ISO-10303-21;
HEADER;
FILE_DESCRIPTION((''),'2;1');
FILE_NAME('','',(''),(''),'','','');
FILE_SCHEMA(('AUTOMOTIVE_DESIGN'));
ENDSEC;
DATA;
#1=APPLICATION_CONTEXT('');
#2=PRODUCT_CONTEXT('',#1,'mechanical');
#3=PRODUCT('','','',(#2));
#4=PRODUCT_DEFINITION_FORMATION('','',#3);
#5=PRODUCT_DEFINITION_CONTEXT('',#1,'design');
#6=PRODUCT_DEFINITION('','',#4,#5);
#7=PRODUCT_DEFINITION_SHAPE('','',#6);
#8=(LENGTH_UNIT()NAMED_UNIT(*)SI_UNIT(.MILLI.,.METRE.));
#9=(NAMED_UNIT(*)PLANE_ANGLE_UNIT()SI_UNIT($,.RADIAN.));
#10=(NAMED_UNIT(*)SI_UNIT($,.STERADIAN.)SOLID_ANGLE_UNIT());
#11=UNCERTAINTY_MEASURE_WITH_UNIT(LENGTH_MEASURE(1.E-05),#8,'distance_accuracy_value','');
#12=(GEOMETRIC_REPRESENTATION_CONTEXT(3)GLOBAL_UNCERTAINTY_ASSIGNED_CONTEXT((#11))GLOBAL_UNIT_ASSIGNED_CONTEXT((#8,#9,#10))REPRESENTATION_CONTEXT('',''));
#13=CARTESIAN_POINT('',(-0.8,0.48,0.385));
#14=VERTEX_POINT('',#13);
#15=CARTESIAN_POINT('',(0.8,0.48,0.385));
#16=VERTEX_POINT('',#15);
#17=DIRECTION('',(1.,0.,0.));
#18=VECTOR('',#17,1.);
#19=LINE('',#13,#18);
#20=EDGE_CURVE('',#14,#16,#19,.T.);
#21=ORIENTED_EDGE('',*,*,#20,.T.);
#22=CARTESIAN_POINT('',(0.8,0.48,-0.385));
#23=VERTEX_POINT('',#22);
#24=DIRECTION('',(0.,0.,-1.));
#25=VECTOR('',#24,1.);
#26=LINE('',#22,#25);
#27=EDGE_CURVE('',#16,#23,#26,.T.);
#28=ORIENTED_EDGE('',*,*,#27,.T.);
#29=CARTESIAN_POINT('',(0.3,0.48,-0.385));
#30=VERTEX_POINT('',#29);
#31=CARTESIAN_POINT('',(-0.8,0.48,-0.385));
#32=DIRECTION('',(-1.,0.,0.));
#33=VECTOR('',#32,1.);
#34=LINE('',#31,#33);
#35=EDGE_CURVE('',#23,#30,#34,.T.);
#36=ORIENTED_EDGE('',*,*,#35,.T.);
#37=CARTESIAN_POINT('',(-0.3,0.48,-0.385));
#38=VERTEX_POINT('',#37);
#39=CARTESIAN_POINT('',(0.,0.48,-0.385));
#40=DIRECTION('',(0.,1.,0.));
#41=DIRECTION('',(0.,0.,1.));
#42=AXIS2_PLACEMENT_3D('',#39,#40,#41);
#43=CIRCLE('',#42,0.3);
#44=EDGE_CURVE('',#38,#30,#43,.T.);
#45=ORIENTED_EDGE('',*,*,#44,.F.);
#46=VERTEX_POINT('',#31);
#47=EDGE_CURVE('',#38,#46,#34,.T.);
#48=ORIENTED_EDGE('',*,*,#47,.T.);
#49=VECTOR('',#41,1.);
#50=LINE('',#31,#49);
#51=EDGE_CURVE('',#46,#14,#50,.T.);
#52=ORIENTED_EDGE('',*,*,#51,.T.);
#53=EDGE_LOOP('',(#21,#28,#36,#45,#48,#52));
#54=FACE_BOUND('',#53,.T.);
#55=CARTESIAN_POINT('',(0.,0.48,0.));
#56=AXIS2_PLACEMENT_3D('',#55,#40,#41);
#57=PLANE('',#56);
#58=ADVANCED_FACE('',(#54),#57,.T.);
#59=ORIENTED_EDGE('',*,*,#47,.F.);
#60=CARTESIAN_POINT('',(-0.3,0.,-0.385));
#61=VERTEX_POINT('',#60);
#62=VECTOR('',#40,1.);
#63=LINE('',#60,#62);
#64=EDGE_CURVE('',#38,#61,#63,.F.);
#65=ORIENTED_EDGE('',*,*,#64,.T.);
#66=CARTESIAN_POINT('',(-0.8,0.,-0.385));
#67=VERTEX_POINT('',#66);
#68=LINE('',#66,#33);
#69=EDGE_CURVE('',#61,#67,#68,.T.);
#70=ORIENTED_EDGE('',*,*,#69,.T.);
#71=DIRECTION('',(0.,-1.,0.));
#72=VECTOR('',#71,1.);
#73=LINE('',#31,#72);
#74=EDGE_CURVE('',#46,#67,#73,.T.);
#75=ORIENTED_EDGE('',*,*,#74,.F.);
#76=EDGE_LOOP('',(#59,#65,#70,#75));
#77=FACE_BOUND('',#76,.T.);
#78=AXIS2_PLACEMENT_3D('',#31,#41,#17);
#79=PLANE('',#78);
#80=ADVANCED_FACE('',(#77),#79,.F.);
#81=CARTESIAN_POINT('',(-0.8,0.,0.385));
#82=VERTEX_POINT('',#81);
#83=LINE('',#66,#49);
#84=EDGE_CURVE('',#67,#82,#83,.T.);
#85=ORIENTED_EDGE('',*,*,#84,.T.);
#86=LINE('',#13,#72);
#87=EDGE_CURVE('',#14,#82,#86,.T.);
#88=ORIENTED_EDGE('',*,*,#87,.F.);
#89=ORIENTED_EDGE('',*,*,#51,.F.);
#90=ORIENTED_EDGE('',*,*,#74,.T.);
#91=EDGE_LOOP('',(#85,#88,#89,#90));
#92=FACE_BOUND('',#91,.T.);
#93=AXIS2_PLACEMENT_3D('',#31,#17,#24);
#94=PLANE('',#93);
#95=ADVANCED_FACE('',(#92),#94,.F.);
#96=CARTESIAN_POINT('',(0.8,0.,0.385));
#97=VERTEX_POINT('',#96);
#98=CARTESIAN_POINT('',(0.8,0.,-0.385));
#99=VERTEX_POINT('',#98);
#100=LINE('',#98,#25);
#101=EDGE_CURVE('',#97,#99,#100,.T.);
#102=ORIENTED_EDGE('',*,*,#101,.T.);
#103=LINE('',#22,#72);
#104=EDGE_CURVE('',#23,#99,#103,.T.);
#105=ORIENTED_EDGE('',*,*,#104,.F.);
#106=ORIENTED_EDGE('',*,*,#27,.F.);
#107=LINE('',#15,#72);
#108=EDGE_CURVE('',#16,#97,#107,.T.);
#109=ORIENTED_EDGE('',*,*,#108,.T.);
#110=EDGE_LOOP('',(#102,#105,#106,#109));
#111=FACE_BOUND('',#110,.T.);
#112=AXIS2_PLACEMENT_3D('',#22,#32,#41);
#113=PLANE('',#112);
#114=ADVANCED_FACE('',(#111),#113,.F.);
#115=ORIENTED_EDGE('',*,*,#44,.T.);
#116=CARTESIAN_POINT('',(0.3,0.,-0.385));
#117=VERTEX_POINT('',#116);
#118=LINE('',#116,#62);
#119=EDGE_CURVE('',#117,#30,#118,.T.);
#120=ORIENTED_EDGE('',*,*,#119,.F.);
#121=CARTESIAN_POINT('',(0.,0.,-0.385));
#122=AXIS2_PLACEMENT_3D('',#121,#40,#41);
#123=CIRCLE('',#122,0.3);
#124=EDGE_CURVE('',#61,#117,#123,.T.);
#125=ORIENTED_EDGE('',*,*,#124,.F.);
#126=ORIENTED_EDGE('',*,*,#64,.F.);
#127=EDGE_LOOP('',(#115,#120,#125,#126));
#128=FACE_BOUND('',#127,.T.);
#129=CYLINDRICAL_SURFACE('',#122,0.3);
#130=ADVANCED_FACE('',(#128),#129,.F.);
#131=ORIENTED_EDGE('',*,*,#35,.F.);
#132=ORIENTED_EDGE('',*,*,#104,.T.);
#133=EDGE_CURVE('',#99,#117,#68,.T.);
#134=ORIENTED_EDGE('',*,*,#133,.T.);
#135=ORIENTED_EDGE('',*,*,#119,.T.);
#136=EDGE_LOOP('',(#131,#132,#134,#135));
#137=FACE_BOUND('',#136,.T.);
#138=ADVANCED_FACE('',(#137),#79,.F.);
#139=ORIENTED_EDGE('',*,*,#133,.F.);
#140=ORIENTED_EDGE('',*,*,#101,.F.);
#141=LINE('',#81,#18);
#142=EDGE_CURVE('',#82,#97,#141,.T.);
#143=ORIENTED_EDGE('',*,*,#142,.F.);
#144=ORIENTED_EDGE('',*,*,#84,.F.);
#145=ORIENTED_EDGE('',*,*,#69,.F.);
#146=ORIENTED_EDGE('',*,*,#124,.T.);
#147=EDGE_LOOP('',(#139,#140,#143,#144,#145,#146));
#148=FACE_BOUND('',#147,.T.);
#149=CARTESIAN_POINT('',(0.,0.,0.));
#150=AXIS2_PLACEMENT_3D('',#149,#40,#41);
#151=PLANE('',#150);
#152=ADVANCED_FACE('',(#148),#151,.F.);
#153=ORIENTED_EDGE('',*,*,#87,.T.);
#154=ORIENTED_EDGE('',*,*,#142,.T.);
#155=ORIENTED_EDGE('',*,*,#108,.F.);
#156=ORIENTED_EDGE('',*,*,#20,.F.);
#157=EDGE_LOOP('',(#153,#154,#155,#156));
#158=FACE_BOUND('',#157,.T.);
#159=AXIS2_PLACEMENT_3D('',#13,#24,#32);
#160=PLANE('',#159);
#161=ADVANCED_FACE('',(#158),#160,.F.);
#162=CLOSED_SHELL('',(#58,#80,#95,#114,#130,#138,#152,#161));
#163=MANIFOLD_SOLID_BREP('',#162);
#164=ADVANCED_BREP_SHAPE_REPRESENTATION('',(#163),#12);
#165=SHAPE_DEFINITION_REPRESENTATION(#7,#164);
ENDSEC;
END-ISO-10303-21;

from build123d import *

# Parameters (mm, degrees)
SKETCH1_W           = 1.6
SKETCH1_H           = 0.77
BOSS_EXTRUDE1_DEPTH = 0.48
SKETCH2_R           = 0.3
CUT_EXTRUDE1_DEPTH  = 2.009269538


with BuildPart() as part:
    # Sketch1 → Boss-Extrude1 (new body)
    with BuildSketch(Plane(origin=(0, 0, 0), x_dir=(1, 0, 0), z_dir=(0, 1, 0))):
        Rectangle(SKETCH1_W, SKETCH1_H)
    extrude(amount=BOSS_EXTRUDE1_DEPTH)

    # Sketch2 → Cut-Extrude1 (cut, through all)
    with BuildSketch(Plane(origin=(0, 0.48, 0), x_dir=(1, 0, 0), z_dir=(0, 1, 0))):
        with Locations((0, 0.385)):
            Circle(SKETCH2_R)
    extrude(amount=-CUT_EXTRUDE1_DEPTH, mode=Mode.SUBTRACT)


solid = part.part
